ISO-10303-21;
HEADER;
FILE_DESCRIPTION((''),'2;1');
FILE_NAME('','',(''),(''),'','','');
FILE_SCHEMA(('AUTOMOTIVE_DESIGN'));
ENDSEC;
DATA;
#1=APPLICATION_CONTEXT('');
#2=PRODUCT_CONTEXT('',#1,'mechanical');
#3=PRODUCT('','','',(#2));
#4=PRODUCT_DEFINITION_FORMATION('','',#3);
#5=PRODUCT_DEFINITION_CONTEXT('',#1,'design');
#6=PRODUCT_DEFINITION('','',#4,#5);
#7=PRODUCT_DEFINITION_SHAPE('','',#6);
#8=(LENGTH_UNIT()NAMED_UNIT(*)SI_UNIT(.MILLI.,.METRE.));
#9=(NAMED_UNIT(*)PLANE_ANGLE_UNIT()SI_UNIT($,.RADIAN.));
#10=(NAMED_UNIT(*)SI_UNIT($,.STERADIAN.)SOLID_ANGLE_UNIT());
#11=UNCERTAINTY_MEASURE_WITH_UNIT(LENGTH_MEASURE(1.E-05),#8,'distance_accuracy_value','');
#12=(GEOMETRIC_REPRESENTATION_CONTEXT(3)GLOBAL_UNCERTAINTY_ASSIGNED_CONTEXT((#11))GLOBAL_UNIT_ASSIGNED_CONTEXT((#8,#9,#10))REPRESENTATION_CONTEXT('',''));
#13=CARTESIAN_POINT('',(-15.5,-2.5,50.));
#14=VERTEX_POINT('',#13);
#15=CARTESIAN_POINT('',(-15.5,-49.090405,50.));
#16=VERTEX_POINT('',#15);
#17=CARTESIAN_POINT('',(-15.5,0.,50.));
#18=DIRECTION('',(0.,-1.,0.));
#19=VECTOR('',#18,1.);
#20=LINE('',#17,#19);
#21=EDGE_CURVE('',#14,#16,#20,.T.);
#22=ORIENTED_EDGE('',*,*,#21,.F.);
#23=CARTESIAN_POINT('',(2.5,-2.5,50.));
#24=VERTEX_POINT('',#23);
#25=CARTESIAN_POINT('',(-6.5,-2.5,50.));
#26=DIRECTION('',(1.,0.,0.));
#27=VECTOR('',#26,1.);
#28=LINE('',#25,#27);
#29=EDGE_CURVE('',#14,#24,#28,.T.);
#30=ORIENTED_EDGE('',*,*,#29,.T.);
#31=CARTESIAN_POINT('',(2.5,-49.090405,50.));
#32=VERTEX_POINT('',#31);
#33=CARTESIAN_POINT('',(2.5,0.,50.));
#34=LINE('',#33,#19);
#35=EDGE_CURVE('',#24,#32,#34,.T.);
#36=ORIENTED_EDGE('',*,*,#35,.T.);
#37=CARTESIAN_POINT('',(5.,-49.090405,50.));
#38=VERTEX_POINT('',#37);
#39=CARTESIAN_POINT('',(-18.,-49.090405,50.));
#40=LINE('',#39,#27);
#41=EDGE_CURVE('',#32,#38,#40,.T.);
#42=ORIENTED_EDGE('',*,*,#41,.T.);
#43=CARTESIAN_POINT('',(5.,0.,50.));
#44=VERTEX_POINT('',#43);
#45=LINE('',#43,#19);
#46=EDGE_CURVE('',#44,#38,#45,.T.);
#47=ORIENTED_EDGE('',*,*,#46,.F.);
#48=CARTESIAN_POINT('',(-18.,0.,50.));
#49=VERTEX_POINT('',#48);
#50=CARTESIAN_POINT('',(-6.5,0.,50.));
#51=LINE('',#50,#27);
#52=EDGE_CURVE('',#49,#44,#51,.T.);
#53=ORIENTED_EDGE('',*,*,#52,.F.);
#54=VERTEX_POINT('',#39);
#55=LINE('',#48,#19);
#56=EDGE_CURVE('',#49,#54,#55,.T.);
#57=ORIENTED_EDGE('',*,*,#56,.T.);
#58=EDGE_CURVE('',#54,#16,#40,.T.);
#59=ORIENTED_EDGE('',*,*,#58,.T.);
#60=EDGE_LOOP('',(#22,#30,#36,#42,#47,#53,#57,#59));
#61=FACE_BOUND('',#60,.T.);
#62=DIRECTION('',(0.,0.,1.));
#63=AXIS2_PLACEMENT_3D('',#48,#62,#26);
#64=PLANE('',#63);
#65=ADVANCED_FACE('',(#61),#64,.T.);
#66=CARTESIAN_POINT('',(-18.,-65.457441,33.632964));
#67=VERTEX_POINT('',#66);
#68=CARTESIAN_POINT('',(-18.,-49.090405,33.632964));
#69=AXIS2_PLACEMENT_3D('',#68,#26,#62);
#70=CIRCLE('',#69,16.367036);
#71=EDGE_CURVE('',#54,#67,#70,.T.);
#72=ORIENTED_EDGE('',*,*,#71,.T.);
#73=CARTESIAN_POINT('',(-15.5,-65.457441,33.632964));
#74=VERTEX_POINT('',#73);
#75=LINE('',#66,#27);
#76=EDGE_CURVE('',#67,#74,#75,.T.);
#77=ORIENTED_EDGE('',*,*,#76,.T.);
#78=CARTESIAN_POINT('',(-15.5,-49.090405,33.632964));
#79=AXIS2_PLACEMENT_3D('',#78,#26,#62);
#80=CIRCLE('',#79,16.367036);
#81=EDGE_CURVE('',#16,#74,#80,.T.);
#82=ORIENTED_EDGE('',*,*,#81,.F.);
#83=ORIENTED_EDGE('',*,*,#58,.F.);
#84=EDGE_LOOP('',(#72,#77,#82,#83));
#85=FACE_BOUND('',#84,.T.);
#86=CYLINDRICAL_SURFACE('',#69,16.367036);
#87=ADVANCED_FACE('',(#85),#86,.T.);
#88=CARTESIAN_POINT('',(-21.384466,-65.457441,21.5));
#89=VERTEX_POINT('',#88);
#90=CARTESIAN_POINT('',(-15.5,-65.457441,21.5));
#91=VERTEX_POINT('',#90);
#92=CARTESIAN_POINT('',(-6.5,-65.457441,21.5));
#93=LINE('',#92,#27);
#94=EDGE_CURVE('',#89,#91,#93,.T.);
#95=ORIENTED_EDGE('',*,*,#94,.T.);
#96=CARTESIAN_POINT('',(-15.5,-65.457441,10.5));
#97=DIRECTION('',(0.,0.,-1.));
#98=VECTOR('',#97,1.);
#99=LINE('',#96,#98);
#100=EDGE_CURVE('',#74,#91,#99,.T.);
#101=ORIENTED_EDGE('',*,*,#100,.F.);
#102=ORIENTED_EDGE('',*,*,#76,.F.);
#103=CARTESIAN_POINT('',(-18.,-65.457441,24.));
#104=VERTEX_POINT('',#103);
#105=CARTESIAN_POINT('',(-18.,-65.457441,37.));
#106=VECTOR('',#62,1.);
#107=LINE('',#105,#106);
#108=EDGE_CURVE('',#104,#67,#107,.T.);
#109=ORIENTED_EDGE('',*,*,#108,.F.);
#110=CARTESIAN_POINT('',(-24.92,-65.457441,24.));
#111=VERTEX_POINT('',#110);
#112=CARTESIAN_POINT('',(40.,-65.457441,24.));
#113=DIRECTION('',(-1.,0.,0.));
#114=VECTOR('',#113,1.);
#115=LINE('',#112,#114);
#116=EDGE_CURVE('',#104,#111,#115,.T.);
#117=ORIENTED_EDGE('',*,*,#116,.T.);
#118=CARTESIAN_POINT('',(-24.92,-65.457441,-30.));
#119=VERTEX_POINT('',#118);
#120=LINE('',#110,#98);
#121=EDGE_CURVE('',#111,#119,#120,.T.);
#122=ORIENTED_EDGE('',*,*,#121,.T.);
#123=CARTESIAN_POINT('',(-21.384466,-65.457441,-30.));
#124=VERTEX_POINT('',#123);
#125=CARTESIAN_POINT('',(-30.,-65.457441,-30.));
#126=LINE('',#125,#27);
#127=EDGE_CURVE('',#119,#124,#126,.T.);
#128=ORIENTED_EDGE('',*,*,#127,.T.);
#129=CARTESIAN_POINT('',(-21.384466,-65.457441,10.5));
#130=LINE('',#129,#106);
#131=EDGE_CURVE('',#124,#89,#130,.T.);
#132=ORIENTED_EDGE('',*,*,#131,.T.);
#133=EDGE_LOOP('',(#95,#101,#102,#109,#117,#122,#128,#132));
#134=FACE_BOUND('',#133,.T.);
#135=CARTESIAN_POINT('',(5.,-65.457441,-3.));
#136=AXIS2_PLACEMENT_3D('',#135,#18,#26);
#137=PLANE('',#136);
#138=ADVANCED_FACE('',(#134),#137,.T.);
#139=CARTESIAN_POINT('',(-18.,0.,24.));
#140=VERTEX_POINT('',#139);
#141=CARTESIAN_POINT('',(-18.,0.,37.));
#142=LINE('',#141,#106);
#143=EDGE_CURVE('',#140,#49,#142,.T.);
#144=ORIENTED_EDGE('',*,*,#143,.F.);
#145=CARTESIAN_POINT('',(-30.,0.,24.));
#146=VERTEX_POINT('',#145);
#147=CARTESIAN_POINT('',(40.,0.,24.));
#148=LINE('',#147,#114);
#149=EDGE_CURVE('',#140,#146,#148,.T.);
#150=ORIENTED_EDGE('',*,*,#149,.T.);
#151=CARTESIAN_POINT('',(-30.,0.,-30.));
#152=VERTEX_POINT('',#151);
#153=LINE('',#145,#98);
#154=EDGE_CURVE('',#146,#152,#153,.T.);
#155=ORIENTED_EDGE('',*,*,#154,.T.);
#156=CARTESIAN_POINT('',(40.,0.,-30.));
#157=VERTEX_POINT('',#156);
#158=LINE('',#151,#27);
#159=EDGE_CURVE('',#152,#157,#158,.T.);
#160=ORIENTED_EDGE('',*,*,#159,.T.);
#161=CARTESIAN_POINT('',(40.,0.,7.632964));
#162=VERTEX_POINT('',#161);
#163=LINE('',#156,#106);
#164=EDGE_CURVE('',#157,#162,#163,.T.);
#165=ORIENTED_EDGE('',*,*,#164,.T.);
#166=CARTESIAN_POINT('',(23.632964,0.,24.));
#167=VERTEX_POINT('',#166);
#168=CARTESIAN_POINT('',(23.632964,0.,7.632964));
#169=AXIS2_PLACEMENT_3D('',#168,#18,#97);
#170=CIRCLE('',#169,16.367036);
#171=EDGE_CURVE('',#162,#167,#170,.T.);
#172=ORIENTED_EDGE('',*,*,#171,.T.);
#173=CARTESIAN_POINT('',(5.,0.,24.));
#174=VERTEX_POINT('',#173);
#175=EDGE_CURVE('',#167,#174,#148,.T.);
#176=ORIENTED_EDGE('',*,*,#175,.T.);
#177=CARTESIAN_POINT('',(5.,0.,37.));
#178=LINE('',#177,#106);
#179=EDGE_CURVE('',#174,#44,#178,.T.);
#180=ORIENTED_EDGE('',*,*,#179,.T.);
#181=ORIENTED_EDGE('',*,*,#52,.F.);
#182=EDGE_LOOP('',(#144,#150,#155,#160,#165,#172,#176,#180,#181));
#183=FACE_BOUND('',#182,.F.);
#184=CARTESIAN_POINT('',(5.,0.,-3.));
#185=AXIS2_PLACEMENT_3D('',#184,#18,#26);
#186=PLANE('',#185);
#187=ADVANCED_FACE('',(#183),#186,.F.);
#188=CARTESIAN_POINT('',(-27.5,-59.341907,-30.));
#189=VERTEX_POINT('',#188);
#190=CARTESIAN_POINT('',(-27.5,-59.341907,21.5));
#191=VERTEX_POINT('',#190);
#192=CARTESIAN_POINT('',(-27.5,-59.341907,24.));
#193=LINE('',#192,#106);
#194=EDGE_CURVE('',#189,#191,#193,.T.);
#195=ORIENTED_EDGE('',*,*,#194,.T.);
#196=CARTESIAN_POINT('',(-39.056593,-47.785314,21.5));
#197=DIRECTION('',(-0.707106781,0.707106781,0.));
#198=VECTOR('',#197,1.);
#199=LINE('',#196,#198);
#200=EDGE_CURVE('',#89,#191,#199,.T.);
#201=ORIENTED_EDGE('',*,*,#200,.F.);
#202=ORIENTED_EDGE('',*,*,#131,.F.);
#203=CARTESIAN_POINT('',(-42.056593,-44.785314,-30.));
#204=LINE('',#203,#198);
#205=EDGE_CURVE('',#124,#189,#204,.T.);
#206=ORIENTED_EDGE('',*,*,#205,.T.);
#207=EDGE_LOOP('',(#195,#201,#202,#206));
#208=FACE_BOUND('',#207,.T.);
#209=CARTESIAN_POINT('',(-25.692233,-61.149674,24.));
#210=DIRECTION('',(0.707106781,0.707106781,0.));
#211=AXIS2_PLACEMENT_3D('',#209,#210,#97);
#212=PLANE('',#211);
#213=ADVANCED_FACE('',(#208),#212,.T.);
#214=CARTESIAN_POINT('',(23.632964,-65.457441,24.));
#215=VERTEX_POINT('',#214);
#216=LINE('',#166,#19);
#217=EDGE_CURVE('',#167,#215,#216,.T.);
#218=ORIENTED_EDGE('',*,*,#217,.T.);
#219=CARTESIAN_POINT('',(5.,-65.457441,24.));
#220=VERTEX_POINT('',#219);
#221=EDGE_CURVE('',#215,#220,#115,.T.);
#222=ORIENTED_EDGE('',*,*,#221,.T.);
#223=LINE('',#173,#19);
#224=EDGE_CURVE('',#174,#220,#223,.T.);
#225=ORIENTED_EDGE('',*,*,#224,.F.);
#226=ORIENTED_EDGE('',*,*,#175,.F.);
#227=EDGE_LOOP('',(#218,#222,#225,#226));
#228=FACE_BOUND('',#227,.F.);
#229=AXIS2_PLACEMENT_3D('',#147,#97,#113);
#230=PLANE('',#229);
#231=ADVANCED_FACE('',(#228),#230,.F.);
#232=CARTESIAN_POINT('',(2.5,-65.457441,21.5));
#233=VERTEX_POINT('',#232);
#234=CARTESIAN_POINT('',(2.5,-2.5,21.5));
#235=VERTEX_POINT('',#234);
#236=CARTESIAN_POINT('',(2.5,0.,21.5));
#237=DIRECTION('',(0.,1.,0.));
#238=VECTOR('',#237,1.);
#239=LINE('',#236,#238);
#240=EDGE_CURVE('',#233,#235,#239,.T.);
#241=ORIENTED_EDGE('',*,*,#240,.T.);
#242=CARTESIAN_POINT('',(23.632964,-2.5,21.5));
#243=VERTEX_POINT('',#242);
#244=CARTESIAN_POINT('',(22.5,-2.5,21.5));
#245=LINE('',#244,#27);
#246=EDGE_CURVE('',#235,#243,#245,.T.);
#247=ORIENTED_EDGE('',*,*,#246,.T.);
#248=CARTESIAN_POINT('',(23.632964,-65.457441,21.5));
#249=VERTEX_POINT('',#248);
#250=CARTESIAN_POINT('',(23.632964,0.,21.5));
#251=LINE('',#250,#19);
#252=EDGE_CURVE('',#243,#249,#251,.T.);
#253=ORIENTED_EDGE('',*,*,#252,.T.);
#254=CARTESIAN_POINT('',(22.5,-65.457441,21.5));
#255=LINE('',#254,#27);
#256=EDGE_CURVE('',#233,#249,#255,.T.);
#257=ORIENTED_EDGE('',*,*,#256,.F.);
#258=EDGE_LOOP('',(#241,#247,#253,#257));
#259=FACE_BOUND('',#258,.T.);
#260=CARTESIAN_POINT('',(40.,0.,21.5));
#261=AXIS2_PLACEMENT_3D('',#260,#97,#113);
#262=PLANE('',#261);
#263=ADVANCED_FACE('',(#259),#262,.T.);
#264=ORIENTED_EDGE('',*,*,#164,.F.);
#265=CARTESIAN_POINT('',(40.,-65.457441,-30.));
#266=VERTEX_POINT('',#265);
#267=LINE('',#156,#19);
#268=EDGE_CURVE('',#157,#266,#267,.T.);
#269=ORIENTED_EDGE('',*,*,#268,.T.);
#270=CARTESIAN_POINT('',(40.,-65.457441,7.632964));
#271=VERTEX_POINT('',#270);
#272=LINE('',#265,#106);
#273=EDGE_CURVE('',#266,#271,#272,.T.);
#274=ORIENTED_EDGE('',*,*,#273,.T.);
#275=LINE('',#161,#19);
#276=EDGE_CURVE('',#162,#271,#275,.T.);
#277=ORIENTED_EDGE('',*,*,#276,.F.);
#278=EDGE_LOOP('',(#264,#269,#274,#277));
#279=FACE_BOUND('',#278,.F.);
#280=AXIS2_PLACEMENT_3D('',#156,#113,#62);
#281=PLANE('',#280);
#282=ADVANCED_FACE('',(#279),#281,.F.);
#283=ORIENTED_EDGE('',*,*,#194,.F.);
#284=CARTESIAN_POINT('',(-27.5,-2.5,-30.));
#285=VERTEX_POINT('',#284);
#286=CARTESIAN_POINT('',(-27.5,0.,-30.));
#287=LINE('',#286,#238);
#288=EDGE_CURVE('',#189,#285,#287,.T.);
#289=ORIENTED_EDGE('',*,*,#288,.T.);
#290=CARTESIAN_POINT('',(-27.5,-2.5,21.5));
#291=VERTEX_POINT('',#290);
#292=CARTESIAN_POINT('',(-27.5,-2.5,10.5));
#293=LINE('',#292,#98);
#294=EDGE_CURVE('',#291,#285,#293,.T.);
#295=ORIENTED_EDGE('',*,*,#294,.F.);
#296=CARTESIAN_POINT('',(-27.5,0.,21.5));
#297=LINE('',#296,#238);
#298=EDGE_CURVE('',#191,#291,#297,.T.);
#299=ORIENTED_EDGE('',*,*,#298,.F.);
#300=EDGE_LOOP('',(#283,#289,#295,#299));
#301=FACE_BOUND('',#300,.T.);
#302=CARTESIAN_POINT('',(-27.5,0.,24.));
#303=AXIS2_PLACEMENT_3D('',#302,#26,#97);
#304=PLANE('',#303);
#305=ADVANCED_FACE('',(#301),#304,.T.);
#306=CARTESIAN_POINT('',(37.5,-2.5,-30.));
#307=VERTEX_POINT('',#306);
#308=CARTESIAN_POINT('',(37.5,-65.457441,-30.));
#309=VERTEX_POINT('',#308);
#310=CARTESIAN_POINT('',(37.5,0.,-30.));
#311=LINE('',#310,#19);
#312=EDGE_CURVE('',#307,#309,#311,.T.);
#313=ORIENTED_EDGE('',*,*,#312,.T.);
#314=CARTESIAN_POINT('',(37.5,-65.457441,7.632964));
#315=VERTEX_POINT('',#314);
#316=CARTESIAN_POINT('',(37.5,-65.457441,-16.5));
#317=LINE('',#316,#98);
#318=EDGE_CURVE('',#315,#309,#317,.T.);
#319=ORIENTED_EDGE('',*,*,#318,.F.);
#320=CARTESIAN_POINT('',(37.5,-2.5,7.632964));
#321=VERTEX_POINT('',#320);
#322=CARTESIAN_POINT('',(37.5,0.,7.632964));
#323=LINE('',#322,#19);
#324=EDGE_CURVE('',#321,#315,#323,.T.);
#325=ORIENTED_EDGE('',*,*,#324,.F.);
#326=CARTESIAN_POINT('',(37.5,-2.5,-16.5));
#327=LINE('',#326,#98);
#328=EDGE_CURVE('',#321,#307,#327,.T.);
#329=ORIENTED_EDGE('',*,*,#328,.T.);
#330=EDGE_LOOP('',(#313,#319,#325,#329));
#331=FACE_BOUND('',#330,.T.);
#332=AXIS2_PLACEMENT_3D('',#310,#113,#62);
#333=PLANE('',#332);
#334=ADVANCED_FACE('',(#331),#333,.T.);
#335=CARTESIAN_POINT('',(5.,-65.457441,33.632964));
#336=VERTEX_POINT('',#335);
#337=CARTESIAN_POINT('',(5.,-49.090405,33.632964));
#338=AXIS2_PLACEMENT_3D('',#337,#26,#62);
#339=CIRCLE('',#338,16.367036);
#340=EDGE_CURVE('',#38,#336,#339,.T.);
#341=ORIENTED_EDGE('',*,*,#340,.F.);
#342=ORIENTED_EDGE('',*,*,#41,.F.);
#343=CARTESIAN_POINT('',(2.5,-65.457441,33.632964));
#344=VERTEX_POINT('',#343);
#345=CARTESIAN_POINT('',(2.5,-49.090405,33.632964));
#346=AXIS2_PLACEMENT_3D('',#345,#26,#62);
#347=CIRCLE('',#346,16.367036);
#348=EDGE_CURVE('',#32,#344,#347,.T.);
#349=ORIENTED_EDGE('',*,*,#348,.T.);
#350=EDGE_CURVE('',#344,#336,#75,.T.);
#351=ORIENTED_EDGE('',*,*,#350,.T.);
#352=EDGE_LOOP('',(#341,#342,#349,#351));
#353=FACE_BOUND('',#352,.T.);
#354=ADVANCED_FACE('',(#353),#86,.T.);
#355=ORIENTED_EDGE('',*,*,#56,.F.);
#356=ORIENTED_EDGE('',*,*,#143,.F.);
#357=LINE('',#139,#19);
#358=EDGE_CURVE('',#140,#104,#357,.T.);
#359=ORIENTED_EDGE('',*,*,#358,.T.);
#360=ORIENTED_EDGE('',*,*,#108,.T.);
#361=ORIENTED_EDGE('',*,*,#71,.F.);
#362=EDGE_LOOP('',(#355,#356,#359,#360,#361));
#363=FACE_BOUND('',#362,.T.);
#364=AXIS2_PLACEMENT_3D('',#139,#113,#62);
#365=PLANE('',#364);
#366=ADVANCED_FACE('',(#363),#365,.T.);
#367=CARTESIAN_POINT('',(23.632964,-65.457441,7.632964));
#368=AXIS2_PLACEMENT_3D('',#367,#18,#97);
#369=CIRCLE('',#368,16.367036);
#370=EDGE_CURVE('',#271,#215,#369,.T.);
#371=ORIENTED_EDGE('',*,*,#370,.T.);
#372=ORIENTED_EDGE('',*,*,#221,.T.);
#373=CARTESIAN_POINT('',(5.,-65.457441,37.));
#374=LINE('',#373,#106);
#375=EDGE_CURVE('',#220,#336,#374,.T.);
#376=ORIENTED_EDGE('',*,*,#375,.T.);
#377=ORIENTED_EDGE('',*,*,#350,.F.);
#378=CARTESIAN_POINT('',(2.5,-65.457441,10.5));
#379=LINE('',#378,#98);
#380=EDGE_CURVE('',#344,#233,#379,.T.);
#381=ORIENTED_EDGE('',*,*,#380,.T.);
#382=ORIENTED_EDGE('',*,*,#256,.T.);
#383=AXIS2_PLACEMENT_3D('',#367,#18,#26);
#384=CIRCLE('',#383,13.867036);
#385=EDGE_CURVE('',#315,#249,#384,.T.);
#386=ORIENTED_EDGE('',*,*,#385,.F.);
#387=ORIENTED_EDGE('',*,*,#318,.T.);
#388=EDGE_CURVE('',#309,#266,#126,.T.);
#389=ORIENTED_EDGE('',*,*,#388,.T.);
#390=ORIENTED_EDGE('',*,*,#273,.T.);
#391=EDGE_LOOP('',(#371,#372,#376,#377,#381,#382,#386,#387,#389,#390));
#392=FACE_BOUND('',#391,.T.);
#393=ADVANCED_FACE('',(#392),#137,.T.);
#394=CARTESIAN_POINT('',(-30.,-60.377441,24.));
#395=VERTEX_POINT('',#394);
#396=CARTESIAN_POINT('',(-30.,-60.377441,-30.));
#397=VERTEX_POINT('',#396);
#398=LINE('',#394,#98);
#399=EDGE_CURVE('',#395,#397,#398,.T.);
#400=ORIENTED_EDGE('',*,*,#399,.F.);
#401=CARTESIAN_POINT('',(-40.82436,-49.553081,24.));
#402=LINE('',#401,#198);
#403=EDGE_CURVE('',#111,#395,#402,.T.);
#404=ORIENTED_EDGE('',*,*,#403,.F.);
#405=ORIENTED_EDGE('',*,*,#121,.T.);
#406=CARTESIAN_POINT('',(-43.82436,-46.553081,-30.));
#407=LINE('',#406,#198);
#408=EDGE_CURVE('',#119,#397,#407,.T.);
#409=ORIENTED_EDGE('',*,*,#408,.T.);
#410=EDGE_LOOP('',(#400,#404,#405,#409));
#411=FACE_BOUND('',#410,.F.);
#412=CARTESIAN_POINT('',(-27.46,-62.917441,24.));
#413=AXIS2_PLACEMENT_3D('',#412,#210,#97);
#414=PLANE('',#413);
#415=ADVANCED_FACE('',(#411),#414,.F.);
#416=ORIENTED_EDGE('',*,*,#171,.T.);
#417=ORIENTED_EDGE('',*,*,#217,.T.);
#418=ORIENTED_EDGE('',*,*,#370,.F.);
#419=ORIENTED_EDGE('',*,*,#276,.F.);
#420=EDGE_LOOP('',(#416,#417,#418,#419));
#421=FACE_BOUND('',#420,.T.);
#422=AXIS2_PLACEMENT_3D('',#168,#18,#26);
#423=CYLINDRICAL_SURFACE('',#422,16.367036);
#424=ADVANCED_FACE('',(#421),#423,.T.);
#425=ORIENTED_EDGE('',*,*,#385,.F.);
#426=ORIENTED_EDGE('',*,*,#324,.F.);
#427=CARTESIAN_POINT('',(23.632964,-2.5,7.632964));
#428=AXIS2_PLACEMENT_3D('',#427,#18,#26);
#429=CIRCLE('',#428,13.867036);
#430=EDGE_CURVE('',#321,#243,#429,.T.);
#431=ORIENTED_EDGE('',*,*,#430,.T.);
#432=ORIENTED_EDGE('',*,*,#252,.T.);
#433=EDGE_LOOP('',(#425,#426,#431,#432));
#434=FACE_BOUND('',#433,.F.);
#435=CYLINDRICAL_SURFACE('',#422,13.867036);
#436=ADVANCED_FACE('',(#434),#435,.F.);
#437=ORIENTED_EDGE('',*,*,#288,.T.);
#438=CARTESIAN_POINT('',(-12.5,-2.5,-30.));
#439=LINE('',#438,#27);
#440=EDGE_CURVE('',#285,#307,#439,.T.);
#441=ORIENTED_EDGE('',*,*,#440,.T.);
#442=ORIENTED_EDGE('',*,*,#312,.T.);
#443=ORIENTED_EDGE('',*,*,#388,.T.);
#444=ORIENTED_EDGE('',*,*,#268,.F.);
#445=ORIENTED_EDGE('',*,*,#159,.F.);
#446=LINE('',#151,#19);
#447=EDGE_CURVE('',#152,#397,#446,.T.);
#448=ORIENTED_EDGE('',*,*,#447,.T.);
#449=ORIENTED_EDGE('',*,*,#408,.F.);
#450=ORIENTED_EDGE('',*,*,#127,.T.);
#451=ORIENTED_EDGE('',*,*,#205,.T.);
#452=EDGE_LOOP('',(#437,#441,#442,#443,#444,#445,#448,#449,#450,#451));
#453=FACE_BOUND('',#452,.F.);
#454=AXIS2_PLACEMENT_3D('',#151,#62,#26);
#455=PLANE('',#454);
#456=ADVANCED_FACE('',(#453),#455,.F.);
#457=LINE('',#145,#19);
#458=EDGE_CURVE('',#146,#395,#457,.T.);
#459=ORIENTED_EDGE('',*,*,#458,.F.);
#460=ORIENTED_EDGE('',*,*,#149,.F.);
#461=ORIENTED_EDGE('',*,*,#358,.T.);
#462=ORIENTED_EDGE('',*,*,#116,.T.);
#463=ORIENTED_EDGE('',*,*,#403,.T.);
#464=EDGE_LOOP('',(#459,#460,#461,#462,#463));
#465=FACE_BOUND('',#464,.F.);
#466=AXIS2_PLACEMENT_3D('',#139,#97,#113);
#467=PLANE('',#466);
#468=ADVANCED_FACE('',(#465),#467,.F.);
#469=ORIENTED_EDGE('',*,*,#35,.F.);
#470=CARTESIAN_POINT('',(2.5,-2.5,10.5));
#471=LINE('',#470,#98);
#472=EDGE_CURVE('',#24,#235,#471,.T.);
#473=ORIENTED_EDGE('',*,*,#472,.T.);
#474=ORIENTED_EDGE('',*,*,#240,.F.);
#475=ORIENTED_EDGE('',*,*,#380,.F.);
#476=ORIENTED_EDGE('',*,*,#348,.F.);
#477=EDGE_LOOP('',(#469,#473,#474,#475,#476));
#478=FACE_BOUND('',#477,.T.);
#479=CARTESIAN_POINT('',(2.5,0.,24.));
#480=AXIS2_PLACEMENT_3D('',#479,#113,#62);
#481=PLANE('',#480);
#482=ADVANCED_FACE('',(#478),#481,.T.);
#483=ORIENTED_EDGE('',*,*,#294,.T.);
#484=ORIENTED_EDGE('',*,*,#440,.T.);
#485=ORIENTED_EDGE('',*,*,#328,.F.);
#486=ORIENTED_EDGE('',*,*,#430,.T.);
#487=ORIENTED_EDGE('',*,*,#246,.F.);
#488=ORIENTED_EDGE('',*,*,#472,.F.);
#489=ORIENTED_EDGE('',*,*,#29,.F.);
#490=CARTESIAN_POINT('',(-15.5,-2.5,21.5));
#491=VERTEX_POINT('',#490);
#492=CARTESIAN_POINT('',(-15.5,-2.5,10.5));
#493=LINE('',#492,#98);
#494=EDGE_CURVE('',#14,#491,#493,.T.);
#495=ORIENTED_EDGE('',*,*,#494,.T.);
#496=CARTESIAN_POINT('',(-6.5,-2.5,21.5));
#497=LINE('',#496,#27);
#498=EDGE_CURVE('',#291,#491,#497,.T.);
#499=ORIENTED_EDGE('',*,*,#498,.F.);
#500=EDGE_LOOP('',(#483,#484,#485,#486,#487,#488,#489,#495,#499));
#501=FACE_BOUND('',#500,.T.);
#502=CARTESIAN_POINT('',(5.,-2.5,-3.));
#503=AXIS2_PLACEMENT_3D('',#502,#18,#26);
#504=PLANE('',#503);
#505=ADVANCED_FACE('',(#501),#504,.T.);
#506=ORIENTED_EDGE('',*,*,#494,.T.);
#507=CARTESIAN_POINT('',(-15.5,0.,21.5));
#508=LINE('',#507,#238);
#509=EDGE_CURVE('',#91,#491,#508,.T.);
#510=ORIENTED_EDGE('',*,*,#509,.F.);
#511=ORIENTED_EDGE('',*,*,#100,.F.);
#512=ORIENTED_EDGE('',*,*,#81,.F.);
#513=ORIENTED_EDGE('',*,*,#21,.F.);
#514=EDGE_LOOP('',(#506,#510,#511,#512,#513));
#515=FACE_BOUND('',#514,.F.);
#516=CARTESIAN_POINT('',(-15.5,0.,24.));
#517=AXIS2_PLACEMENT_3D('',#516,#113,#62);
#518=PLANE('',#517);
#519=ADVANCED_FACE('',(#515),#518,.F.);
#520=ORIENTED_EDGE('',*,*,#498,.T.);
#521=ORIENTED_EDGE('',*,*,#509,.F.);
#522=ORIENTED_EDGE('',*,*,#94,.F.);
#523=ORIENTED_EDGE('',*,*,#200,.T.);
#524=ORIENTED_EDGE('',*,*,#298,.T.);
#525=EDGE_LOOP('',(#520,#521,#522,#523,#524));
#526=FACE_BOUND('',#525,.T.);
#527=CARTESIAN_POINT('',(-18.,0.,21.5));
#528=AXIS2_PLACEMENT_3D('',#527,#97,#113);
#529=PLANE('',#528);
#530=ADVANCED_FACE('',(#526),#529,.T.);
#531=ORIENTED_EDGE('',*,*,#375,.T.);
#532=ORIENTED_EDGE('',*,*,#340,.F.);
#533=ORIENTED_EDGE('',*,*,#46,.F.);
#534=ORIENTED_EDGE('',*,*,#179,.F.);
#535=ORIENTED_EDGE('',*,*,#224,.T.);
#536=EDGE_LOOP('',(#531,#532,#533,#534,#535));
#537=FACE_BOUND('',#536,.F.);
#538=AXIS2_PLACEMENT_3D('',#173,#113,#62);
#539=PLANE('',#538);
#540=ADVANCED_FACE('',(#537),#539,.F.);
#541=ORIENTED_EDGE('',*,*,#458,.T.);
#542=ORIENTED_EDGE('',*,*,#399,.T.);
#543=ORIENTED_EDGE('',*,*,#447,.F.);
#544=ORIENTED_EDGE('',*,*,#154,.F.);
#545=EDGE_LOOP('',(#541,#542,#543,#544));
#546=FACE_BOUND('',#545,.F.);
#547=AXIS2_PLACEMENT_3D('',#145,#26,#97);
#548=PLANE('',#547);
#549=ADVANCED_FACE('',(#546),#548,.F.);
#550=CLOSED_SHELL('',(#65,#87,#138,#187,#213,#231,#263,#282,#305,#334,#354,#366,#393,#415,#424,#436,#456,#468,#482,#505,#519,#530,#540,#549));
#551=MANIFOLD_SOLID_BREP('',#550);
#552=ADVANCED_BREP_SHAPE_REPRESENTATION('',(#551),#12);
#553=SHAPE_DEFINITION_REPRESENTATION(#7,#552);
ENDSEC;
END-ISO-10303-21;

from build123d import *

# Parameters (mm, degrees)
F0_W     = 23
F0_H     = 26
F1_DEPTH = 65.4574409127
F2_R     = 16.367035619
F3_SIZE  = 5.08
F4_T     = -2.5


with BuildPart() as f1:
    # F0 (on Front) → F1 (new body)
    with BuildSketch(Plane.XZ):
        Polygon((-18, 24), (-30, 24), (-30, -30), (40, -30), (40, 24), (5, 24), align=None)
        with Locations((-6.5, 37)):
            Rectangle(F0_W, F0_H)
    extrude(amount=F1_DEPTH)

    # F2
    f2_edges = [f1.edges().sort_by_distance(p)[0] for p in [
        (40, -32.72872, 24),
        (-6.5, -65.457441, 50),
    ]]
    fillet(f2_edges, radius=F2_R)

    # F3
    f3_edges = [f1.edges().sort_by_distance(p)[0] for p in [
        (-30, -65.457441, -3),
    ]]
    chamfer(f3_edges, length=F3_SIZE)

    # F4
    f4_openings = [f1.faces().sort_by_distance(p)[0] for p in [
        (5.094058, -32.641076, -30),
        (-6.5, -24.545203, 50),
        (-6.5, -60.663647, 45.206206),
        (6.241123, -65.457441, -1.444797),
    ]]
    offset(amount=F4_T, openings=f4_openings, kind=Kind.INTERSECTION)


solid = f1.part
